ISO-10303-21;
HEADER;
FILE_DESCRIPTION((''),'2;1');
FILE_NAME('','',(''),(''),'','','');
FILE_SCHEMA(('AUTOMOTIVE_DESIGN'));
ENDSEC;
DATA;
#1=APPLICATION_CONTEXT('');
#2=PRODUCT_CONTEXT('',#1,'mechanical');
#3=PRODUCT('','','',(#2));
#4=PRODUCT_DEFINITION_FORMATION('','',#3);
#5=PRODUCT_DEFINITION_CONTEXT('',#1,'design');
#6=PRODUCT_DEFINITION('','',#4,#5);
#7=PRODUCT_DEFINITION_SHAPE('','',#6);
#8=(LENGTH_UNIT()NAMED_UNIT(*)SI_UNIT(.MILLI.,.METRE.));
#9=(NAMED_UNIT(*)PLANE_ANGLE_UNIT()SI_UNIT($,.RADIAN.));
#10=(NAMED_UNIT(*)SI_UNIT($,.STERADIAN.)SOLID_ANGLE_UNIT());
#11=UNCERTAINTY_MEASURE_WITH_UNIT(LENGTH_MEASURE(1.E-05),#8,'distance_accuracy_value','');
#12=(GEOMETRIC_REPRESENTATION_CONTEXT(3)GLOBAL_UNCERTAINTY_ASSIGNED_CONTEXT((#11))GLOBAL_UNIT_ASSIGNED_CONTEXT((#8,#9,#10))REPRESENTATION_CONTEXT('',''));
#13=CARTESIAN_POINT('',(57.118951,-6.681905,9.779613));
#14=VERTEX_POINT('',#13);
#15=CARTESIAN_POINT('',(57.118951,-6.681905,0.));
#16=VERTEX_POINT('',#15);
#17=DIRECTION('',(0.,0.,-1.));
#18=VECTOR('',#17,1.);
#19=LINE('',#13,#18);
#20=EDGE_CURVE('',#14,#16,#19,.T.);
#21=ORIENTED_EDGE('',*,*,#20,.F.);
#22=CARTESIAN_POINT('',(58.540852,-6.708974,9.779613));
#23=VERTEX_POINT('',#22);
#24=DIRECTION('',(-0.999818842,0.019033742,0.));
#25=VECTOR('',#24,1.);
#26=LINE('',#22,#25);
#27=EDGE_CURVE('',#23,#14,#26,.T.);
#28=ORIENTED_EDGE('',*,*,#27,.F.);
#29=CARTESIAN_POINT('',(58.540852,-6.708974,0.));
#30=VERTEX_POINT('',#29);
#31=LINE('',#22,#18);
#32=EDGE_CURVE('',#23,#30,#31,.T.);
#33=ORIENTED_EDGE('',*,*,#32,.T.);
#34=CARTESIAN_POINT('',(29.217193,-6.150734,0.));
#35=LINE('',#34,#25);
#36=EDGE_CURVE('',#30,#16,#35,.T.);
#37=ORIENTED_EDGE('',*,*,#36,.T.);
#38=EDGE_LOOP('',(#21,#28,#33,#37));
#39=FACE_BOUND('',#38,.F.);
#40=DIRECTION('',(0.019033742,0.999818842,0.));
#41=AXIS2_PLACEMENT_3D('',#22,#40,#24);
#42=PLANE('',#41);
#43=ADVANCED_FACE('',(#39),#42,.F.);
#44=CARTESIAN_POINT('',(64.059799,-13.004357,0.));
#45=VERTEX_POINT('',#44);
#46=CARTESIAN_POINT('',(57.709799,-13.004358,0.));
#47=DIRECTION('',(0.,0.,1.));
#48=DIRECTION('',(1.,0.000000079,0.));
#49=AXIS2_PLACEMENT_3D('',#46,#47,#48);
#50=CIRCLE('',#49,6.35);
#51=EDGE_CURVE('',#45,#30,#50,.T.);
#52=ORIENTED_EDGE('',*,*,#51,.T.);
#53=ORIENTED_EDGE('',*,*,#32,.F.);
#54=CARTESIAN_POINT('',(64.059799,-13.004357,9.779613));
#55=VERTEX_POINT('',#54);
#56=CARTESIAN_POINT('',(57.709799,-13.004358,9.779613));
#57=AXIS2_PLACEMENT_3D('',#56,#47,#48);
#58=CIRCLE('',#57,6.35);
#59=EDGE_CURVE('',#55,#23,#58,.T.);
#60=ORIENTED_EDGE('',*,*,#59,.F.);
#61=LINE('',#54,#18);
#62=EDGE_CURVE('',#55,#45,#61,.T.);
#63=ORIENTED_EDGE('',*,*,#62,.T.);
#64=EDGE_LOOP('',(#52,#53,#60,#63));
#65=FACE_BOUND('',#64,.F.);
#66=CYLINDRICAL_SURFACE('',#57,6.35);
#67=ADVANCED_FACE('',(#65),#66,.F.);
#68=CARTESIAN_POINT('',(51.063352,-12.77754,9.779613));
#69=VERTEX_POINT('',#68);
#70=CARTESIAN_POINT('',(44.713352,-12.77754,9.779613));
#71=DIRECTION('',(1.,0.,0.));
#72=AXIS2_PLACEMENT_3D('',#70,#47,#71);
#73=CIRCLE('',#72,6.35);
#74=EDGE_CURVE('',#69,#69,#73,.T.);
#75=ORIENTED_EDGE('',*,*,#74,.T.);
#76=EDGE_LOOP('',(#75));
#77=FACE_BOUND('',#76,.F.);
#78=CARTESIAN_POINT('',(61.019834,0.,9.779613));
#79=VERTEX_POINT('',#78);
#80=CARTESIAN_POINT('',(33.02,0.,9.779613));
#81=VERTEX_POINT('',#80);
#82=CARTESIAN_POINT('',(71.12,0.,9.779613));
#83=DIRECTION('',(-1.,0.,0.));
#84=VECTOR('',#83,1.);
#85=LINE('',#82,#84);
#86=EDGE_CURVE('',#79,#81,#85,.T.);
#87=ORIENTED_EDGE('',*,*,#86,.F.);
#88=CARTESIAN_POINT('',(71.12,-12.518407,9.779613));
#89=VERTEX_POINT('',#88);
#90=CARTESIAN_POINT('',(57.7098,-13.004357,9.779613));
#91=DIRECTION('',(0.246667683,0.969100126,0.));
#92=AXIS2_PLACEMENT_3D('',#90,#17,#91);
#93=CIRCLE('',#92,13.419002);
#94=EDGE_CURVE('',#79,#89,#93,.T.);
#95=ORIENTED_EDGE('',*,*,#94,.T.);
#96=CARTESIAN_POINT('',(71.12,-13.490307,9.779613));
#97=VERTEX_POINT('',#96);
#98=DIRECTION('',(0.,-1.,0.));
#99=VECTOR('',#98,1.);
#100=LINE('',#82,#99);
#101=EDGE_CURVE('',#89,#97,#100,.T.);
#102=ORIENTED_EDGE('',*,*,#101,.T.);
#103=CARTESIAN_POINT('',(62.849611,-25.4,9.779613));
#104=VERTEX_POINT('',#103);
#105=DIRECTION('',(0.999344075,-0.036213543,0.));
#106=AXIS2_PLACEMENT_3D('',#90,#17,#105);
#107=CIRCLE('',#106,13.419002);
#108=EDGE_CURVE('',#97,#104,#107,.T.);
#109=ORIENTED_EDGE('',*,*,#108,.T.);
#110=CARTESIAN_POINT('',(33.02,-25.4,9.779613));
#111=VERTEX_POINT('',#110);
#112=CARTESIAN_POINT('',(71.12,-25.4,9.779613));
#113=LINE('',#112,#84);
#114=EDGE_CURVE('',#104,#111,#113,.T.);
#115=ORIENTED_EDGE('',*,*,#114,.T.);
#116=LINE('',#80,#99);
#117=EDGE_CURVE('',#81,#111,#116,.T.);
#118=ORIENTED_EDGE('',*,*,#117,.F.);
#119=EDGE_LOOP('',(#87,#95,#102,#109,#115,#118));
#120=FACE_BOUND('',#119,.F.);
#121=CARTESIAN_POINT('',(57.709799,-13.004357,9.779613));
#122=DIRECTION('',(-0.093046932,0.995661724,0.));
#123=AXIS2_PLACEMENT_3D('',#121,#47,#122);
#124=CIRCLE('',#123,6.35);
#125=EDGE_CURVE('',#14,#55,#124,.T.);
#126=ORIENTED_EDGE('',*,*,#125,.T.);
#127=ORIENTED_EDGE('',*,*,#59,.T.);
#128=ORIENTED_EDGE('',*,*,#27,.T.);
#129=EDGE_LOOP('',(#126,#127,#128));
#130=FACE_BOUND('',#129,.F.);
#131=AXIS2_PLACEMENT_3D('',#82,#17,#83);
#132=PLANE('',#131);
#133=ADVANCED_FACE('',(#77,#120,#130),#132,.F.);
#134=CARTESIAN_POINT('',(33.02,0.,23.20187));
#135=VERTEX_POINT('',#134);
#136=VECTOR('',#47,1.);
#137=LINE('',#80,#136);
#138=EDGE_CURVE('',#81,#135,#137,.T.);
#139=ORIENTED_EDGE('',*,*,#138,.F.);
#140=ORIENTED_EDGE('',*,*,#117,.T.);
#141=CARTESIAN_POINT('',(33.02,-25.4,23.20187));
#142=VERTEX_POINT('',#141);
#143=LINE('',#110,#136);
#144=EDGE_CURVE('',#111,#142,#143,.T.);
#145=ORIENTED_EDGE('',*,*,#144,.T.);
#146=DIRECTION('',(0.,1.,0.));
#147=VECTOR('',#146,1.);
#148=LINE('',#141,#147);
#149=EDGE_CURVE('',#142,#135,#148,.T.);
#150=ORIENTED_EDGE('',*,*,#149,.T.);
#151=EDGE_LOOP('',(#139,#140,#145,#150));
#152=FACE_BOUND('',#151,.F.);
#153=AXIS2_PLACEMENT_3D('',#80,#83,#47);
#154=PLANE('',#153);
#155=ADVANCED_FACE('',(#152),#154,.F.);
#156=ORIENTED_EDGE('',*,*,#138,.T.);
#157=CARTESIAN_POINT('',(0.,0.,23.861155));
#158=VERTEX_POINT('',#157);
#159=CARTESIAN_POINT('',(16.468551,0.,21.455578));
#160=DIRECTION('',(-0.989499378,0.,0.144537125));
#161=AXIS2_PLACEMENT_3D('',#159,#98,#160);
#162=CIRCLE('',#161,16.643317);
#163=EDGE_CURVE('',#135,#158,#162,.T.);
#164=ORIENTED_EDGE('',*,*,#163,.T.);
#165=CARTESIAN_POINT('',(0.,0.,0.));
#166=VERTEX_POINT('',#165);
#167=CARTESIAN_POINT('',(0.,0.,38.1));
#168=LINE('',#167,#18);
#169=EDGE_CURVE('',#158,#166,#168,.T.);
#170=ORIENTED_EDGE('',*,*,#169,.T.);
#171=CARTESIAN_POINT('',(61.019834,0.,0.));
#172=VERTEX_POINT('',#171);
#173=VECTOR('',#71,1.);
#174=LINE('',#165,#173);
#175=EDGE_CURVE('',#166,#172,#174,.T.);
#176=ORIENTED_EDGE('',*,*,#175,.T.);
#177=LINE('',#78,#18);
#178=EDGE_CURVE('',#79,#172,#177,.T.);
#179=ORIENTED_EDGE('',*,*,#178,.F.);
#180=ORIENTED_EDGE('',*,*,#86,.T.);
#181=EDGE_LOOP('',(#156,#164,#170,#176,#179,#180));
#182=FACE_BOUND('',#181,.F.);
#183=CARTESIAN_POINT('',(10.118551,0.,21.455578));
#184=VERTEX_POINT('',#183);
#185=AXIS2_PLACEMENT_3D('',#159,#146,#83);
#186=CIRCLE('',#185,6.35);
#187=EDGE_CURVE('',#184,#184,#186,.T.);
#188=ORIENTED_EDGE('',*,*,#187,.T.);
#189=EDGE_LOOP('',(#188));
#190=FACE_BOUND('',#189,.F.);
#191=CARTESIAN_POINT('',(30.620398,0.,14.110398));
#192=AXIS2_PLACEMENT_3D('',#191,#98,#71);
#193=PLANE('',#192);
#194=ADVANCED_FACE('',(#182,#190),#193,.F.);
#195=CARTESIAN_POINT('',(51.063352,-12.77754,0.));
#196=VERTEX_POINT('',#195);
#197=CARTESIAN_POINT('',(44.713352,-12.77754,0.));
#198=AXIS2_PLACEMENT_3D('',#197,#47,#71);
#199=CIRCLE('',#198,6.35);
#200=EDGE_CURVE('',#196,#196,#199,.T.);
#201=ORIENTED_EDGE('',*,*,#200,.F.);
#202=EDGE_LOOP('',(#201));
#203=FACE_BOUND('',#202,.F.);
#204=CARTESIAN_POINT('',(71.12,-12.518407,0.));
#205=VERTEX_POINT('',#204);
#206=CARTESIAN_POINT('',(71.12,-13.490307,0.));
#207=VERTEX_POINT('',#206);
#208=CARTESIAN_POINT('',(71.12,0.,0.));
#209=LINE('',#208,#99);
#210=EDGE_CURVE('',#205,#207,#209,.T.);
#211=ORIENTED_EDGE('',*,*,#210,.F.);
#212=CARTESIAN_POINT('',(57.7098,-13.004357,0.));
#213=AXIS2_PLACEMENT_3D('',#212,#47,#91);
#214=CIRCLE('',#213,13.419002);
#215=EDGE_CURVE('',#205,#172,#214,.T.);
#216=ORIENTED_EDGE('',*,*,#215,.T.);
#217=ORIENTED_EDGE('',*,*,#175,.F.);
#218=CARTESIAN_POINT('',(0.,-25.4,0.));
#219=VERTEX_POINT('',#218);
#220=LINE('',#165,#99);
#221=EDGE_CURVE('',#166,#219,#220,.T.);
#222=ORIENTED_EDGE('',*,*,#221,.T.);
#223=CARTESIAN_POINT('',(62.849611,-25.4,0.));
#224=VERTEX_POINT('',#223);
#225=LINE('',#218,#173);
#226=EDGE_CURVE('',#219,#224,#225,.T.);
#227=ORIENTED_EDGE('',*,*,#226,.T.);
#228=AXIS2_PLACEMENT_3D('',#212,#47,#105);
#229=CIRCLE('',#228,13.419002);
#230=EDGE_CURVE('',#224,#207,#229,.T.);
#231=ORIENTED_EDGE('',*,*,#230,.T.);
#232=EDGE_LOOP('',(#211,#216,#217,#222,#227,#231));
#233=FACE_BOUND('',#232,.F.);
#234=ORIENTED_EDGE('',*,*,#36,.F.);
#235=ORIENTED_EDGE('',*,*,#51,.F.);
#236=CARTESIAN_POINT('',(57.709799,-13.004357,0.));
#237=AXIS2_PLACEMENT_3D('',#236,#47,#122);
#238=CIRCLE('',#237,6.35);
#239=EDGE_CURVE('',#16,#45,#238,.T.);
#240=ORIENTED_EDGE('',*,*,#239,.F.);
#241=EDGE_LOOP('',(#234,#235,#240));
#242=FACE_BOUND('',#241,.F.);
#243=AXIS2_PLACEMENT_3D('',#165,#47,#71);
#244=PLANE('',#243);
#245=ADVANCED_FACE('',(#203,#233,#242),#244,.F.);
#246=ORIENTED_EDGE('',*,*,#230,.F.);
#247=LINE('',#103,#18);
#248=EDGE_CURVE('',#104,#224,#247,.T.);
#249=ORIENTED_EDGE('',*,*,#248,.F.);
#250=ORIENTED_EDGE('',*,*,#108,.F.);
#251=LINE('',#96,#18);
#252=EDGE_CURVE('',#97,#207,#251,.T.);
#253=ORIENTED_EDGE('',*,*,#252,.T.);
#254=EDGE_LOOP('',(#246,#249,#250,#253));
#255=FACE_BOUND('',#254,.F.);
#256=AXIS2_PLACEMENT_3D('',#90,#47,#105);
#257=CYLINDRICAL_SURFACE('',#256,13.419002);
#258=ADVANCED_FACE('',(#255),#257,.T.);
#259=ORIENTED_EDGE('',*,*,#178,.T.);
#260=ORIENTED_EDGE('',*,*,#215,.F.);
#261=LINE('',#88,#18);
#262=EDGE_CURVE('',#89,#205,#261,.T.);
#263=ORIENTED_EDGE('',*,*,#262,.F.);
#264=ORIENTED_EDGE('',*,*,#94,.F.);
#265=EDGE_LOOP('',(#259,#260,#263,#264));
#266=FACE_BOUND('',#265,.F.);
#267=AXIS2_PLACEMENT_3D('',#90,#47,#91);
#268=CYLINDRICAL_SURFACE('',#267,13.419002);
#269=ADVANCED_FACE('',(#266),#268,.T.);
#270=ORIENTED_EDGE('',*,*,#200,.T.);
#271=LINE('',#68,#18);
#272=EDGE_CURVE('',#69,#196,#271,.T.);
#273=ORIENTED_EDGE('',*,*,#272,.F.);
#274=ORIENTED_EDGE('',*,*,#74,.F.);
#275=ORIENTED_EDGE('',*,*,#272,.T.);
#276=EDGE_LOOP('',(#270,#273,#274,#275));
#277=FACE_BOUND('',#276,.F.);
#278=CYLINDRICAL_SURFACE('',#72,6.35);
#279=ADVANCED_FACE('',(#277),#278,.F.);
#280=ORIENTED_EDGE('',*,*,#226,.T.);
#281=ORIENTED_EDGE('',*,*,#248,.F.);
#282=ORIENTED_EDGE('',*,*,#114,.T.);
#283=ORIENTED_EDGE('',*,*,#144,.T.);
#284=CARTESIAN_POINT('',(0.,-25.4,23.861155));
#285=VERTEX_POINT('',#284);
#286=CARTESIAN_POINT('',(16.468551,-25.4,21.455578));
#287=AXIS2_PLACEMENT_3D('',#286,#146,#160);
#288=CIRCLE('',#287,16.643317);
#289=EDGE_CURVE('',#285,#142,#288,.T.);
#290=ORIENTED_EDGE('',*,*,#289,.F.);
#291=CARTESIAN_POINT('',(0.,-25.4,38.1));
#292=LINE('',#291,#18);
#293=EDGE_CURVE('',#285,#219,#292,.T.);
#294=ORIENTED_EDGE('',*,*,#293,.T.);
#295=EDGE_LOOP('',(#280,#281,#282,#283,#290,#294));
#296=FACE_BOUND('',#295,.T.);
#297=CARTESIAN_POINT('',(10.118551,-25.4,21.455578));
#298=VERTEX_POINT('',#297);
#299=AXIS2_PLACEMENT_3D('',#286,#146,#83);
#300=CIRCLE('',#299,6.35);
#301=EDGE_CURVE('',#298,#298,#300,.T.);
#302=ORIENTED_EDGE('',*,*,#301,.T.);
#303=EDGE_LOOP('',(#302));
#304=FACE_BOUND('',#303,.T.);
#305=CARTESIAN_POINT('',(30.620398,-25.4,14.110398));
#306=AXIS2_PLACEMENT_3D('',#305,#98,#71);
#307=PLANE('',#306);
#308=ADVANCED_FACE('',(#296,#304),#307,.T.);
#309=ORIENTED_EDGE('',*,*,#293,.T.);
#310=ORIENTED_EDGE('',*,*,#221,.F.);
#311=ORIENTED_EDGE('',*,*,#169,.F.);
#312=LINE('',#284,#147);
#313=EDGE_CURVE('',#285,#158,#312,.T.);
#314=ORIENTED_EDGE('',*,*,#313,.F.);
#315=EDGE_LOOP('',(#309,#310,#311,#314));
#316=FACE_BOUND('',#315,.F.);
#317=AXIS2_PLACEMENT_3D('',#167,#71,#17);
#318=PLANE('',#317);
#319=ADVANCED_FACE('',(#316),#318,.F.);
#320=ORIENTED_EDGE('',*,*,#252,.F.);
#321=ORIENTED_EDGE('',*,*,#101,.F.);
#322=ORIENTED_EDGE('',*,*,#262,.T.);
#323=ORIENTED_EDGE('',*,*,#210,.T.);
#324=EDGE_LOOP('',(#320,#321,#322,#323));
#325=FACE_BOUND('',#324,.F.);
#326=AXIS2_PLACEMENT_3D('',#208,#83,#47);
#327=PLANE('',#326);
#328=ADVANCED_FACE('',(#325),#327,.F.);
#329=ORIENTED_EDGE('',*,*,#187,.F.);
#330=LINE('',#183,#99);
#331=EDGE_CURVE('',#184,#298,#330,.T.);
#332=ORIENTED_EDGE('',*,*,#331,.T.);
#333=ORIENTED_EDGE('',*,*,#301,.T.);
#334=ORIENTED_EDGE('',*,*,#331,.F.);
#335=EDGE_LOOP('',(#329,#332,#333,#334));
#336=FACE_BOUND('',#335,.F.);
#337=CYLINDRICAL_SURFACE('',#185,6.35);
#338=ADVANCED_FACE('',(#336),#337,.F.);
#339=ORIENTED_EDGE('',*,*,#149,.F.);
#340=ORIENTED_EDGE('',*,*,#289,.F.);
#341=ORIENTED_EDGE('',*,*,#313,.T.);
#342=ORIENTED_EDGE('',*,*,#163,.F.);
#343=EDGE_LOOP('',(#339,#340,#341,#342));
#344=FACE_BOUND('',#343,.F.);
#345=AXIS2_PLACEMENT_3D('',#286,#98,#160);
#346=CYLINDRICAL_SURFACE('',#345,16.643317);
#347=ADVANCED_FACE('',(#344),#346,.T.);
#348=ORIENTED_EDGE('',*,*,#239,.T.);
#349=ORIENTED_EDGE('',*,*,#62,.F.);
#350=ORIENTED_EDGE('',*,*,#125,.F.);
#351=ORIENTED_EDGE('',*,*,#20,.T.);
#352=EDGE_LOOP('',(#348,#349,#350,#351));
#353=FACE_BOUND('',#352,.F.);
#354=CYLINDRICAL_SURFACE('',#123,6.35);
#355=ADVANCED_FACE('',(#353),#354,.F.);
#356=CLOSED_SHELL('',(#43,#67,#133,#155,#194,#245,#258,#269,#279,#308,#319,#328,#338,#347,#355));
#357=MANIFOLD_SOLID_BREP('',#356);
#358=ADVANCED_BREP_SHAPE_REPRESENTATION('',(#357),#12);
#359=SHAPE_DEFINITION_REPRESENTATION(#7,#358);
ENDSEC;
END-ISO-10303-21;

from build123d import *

# Parameters (mm, degrees)
F1_DEPTH  = 25.4
F3_DEPTH  = 25.401
F5_DEPTH  = 9.780613
F6_R      = 6.35
F7_DEPTH  = 25.401
F8_R      = 6.35
F11_DEPTH = 9.780613


with BuildPart() as f1:
    # F0 (on Front) → F1 (new body)
    with BuildSketch(Plane.XZ):
        Polygon((0, 38.1), (0, 0), (71.12, 0), (71.12, 9.779613), (33.02, 9.779613), (33.02, 38.1), align=None)
    extrude(amount=F1_DEPTH)

    # F2 (on face) → F3 (cut, through all)
    with BuildSketch(Plane.XZ.offset(25.4)):
        with BuildLine():
            ThreePointArc((0, 23.861155), (16.80079, 38.095578), (33.02, 23.20187))
            Line((33.02, 23.20187), (33.02, 38.1))
            Line((33.02, 38.1), (0, 38.1))
            Line((0, 38.1), (0, 23.861155))
        make_face()
    extrude(amount=-F3_DEPTH, mode=Mode.SUBTRACT)

    # F4 (on face) → F5 (cut, through all)
    with BuildSketch(Plane.XY.offset(9.779613)):
        with BuildLine():
            ThreePointArc((61.019834, 0), (68.153419, -4.578181), (71.12, -12.518407))
            Line((71.12, -12.518407), (71.12, 0))
            Line((71.12, 0), (61.019834, 0))
        make_face()
        with BuildLine():
            ThreePointArc((71.12, -13.490307), (68.731865, -20.658356), (62.849611, -25.4))
            Line((62.849611, -25.4), (71.12, -25.4))
            Line((71.12, -25.4), (71.12, -13.490307))
        make_face()
    extrude(amount=-F5_DEPTH, mode=Mode.SUBTRACT)

    # F6 (on face) → F7 (cut, through all)
    with BuildSketch(Plane(origin=(0, 0, 0), x_dir=(-1, 0, 0), z_dir=(0, 1, 0))):
        with Locations((-16.468551, 21.455578)):
            Circle(F6_R)
    extrude(amount=-F7_DEPTH, mode=Mode.SUBTRACT)

    # F10 (on face) + F8 (on face) → F11 (cut, through all)
    with BuildSketch(Plane.XY.offset(9.779613)):
        with BuildLine():
            Line((58.540852, -6.708974), (57.118951, -6.681905))
            ThreePointArc((57.118951, -6.681905), (53.433667, -17.698736), (64.059799, -13.004357))
            ThreePointArc((64.059799, -13.004357), (62.484717, -8.81835), (58.540852, -6.708974))
        make_face()
    with BuildSketch(Plane.XY.offset(9.779613)):
        with Locations((44.713352, -12.77754)):
            Circle(F8_R)
    extrude(amount=-F11_DEPTH, mode=Mode.SUBTRACT)


solid = f1.part
